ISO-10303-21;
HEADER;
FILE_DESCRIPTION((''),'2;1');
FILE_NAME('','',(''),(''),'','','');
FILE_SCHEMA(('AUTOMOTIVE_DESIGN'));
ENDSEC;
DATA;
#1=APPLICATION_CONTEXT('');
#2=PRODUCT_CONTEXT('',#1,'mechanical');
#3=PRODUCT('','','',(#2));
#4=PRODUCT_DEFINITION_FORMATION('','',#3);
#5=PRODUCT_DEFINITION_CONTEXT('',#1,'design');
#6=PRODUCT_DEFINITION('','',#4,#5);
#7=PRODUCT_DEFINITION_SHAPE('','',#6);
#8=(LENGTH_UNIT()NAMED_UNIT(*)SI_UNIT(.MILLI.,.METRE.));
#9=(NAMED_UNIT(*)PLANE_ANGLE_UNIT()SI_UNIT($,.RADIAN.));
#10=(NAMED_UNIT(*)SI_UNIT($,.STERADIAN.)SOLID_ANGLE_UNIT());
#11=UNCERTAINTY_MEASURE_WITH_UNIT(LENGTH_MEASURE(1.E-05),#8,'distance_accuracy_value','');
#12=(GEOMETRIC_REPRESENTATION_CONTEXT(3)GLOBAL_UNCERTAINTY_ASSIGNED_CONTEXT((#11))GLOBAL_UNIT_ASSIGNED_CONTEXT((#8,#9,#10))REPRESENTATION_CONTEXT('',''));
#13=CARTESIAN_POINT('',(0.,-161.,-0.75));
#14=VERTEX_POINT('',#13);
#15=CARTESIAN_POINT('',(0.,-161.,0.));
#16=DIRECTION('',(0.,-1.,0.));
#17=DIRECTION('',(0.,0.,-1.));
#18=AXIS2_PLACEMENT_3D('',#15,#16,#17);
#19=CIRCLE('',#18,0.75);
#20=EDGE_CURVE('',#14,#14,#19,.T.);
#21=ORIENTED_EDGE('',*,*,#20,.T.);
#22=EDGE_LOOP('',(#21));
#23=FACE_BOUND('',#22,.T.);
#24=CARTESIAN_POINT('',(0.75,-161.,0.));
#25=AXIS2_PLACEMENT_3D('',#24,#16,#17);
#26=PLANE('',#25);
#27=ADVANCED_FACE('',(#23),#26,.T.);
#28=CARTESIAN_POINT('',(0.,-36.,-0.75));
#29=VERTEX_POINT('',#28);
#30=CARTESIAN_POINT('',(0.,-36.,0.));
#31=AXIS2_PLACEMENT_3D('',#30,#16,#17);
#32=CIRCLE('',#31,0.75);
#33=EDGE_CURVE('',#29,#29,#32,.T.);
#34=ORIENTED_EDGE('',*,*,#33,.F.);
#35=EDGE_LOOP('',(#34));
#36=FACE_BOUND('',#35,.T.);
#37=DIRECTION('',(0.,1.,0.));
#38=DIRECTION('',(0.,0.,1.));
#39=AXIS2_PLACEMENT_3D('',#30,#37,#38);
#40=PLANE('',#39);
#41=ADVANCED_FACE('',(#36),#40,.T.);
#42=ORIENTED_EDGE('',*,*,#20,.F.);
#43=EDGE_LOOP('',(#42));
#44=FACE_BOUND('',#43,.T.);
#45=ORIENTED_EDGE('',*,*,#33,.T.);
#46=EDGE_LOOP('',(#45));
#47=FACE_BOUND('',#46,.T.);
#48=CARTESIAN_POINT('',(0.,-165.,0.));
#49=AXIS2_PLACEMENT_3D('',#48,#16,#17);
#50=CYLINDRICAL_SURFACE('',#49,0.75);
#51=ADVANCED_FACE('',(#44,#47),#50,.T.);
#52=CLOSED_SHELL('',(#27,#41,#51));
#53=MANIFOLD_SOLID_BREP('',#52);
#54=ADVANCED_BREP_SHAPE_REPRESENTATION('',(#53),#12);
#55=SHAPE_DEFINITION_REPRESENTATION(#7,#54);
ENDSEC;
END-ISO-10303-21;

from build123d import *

# Parameters (mm, degrees)
SKETCH1_W = 0.75
SKETCH1_H = 125


with BuildPart() as part:
    # Sketch1 → Cuerdas_UHMWPE (revolve)
    with BuildSketch(Plane.XY, mode=Mode.PRIVATE) as cuerdas_uhmwpe_sk:
        with Locations((0.375, -98.5)):
            Rectangle(SKETCH1_W, SKETCH1_H)
    revolve(cuerdas_uhmwpe_sk.sketch.rotate(Axis((0, -165, 0), (0, 1, 0)), 90), axis=Axis((0, -165, 0), (0, 1, 0)))


solid = part.part
